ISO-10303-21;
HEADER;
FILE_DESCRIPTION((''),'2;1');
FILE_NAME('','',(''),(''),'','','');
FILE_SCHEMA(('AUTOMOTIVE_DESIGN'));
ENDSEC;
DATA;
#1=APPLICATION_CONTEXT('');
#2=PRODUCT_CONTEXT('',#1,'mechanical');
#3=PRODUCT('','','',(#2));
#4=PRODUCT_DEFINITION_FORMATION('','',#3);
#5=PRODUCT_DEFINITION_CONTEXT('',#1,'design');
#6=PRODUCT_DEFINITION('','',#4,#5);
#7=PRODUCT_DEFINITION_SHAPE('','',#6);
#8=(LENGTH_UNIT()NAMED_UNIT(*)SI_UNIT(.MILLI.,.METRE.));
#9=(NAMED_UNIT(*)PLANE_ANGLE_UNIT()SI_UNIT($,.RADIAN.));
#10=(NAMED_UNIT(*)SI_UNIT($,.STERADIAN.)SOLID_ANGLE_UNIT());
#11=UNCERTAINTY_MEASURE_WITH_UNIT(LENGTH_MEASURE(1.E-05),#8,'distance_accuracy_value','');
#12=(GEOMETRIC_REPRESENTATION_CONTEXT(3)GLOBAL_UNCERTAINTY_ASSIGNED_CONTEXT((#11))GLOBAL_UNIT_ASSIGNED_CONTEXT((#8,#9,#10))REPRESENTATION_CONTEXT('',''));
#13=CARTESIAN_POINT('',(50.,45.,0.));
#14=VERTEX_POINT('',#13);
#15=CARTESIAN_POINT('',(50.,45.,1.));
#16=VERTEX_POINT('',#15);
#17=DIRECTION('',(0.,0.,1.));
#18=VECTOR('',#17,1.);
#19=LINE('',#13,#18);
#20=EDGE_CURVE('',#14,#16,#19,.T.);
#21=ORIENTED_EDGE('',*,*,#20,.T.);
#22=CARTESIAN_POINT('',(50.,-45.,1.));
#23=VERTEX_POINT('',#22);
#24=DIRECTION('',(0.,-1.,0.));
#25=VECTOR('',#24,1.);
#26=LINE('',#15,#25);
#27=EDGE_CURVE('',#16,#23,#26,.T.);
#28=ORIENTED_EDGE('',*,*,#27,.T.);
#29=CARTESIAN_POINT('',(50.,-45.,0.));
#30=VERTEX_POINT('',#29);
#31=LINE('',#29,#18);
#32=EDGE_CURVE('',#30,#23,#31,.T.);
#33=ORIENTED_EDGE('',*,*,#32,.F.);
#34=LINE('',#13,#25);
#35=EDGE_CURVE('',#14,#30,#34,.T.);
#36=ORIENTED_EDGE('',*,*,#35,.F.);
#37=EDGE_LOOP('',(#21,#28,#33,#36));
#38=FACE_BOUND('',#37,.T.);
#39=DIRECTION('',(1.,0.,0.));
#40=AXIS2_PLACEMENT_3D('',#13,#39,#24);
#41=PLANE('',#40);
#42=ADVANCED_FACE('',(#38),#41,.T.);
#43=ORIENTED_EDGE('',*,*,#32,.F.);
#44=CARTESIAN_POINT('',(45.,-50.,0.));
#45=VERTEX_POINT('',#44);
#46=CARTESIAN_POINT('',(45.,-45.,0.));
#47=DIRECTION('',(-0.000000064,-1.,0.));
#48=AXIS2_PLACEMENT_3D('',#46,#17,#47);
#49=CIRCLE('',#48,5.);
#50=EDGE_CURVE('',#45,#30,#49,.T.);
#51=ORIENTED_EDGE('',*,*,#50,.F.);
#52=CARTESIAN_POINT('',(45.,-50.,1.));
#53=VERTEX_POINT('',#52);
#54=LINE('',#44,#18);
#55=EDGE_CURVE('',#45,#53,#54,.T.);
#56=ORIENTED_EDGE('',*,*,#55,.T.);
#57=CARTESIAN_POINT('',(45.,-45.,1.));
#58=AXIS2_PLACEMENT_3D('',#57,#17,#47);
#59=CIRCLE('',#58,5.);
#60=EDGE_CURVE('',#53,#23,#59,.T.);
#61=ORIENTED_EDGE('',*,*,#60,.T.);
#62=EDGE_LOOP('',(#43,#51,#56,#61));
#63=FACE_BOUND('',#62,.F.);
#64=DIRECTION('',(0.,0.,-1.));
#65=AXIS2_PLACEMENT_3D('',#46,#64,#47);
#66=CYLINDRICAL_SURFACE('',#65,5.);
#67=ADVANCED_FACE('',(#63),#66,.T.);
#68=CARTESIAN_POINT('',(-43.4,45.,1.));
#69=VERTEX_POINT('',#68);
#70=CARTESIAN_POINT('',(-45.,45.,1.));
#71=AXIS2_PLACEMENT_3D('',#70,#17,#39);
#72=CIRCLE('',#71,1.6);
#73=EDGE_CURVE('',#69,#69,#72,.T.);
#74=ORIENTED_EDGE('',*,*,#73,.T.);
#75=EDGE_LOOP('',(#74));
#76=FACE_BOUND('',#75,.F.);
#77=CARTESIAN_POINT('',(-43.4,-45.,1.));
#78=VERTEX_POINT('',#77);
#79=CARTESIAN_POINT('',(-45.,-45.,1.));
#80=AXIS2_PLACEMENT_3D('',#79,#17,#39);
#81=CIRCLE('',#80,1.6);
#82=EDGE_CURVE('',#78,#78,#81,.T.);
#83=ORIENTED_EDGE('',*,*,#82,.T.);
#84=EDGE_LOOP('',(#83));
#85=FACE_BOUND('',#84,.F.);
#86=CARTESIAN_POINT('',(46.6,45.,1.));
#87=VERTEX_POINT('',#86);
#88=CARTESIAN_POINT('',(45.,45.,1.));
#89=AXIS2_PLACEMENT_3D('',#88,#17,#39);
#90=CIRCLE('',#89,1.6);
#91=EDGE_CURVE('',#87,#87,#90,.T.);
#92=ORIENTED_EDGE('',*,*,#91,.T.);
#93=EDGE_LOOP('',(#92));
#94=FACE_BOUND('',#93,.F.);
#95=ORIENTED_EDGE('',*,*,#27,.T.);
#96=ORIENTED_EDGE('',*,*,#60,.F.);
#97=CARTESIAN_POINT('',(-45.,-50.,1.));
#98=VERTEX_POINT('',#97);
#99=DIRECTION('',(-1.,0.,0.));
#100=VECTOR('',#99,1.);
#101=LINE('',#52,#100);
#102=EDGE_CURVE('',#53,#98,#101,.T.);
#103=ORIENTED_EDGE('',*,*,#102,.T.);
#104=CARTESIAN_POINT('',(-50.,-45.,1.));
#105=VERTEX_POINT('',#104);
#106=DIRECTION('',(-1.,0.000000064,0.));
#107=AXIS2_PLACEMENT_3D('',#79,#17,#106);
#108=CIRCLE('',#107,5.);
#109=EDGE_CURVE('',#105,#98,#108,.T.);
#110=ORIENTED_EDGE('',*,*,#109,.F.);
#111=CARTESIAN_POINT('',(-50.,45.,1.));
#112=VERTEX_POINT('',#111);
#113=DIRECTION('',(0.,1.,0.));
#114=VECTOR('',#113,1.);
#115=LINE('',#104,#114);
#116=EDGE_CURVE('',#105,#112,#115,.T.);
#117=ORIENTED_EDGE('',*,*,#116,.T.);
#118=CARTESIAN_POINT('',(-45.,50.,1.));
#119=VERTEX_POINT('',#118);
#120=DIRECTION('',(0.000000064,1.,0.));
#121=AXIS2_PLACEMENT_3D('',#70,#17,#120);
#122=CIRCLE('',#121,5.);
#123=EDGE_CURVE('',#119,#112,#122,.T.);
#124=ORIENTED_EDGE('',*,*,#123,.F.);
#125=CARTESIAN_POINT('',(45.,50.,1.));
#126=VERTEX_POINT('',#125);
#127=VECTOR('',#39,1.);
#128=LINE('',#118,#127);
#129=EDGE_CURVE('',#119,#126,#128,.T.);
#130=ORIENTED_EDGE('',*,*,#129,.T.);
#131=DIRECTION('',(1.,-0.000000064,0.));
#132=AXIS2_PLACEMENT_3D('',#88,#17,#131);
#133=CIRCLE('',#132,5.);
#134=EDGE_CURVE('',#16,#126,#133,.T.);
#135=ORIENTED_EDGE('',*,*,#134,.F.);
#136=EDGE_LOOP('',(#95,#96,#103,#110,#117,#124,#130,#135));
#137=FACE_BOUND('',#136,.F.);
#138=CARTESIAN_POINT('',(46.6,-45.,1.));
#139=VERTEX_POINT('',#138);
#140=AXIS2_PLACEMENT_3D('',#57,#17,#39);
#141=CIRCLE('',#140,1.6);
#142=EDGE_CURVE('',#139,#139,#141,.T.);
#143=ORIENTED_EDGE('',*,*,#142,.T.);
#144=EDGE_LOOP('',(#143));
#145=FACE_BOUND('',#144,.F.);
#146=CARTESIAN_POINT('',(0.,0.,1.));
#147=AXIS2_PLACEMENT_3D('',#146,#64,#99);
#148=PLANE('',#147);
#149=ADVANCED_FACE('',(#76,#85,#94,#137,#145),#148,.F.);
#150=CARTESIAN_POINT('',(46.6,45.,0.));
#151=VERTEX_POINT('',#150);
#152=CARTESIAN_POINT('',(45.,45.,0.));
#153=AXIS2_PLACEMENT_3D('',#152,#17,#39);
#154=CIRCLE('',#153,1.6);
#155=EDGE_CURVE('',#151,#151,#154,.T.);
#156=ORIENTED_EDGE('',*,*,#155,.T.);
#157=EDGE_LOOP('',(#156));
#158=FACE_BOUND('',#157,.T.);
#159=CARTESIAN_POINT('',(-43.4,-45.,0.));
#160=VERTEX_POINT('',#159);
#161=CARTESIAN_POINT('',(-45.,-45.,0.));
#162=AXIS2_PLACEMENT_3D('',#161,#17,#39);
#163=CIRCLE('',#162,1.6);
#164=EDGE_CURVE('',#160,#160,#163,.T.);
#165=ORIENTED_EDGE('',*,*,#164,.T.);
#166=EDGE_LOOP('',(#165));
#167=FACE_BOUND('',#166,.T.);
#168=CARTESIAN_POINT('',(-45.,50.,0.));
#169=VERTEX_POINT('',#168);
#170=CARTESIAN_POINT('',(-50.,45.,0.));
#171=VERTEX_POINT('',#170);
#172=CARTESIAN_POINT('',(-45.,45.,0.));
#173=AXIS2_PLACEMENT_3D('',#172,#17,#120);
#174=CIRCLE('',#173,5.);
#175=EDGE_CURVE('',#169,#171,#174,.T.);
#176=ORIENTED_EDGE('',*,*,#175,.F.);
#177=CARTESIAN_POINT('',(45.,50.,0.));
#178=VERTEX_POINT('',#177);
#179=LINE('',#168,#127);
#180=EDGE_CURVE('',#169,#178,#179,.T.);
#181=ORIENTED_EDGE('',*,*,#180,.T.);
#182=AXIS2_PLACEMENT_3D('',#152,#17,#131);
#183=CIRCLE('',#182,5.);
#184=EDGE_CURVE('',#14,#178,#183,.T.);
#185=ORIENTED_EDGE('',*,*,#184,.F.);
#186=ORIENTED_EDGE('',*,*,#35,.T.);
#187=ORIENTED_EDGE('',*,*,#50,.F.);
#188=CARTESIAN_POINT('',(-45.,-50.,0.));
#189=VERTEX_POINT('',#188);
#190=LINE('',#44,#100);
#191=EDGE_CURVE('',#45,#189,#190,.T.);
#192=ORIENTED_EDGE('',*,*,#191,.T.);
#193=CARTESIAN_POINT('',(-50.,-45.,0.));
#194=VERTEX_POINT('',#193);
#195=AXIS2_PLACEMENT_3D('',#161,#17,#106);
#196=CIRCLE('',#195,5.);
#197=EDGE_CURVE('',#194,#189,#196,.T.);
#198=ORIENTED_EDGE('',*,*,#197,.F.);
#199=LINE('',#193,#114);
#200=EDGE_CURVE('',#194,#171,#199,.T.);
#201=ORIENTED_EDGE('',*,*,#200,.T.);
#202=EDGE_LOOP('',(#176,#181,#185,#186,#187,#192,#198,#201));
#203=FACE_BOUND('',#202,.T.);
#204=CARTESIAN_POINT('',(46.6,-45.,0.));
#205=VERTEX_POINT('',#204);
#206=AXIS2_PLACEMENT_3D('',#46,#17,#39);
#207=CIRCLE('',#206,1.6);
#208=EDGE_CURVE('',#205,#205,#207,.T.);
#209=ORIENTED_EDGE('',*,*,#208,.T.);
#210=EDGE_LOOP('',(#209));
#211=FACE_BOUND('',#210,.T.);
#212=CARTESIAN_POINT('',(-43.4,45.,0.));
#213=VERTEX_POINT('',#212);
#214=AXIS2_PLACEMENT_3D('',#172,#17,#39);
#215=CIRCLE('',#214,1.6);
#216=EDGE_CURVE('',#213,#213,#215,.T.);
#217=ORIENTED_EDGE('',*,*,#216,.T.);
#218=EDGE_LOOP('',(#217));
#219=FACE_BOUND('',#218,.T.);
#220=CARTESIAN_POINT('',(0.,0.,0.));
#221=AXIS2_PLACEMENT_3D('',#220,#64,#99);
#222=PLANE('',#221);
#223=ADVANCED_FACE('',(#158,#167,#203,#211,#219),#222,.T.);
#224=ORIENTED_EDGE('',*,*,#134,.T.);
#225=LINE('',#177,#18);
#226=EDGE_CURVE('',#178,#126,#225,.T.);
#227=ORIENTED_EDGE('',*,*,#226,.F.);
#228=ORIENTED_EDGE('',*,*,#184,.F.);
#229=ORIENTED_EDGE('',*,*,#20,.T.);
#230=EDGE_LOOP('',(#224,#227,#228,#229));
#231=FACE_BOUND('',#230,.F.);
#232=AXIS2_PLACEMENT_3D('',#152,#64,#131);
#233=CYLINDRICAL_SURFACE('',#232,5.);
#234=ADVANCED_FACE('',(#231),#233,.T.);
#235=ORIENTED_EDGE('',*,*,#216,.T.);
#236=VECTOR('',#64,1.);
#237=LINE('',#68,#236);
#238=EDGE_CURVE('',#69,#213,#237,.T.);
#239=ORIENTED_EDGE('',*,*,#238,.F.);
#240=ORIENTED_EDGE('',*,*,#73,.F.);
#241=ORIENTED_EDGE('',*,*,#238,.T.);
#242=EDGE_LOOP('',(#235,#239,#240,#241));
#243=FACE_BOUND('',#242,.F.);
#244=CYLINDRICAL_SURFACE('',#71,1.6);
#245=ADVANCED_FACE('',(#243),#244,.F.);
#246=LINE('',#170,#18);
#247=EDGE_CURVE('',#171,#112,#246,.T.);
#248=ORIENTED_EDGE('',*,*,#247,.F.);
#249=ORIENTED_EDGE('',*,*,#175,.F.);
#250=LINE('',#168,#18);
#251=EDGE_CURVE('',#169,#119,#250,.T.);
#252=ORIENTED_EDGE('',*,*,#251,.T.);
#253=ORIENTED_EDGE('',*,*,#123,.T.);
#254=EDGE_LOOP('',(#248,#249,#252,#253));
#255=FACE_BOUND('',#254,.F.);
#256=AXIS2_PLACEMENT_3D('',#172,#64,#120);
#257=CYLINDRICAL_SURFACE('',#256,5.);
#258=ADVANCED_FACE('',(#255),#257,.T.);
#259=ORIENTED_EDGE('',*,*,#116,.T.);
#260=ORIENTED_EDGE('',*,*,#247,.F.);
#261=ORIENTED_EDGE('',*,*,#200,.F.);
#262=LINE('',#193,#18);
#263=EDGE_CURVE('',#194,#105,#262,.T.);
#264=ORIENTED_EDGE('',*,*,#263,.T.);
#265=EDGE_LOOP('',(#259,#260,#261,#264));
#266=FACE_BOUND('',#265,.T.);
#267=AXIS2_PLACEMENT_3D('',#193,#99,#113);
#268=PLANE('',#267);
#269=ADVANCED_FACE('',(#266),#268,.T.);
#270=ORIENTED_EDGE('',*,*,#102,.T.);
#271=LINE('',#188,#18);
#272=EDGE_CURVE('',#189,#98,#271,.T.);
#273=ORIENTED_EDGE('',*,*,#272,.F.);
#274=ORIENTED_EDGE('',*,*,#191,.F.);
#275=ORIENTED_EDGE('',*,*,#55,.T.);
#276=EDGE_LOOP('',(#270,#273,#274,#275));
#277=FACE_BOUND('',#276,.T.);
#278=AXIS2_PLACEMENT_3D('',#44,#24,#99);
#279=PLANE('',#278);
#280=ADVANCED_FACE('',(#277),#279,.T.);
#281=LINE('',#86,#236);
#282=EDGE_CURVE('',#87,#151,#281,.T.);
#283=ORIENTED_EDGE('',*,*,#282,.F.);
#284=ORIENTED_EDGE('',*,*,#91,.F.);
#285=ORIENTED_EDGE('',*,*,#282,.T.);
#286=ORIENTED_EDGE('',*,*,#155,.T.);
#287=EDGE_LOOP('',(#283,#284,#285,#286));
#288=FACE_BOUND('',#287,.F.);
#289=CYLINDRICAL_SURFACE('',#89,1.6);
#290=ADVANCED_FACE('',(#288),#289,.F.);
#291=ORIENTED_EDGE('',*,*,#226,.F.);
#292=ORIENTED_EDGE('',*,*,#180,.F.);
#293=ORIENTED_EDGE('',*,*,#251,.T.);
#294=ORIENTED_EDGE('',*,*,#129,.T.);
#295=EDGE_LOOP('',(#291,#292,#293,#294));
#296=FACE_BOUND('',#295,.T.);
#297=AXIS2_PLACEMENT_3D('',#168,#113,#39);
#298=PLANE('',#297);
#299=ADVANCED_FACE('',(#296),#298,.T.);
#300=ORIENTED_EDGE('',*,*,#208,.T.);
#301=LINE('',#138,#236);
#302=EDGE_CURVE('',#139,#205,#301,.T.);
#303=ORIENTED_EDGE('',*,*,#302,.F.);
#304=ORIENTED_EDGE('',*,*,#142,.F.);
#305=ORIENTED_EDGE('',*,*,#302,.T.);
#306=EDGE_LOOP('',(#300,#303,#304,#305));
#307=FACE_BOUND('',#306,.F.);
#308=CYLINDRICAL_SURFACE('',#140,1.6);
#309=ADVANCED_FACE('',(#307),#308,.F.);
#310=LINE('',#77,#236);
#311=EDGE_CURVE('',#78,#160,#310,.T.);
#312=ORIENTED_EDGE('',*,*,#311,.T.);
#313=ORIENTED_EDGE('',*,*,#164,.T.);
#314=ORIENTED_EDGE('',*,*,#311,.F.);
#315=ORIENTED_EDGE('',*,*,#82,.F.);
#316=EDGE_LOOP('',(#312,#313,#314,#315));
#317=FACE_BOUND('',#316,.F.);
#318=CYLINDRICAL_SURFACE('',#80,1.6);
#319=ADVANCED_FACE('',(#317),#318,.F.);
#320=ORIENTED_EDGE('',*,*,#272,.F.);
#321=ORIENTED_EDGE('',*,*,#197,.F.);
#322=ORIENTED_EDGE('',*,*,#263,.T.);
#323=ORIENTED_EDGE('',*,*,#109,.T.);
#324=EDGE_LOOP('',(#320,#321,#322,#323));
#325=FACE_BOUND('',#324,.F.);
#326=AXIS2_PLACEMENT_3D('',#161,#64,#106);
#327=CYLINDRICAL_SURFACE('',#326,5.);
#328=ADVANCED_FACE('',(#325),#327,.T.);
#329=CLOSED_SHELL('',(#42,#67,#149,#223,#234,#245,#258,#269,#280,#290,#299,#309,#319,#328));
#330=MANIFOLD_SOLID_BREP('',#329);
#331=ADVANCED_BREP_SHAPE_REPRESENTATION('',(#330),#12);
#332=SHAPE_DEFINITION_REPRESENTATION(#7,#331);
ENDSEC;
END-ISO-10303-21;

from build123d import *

# Parameters (mm, degrees)
PAD_DEPTH    = 1
SKETCH001_R  = 1.6
POCKET_DEPTH = 1.001


with BuildPart() as part:
    # Sketch → Pad (new body)
    with BuildSketch(Plane.XY):
        with BuildLine():
            Line((-45, 50), (45, 50))
            ThreePointArc((50, 45), (48.535534, 48.535534), (45, 50))
            Line((50, 45), (50, -45))
            ThreePointArc((45, -50), (48.535534, -48.535534), (50, -45))
            Line((45, -50), (-45, -50))
            ThreePointArc((-50, -45), (-48.535534, -48.535534), (-45, -50))
            Line((-50, -45), (-50, 45))
            ThreePointArc((-45, 50), (-48.535534, 48.535534), (-50, 45))
        make_face()
    extrude(amount=PAD_DEPTH)

    # Sketch001 (on Face10 of Pad) → Pocket (cut, through all)
    with BuildSketch(Plane.XY.offset(1)):
        with Locations((-45, 45)):
            Circle(SKETCH001_R)
        with Locations((45, -45)):
            Circle(SKETCH001_R)
        with Locations((-45, -45)):
            Circle(SKETCH001_R)
        with Locations((45, 45)):
            Circle(SKETCH001_R)
    extrude(amount=-POCKET_DEPTH, mode=Mode.SUBTRACT)


solid = part.part
